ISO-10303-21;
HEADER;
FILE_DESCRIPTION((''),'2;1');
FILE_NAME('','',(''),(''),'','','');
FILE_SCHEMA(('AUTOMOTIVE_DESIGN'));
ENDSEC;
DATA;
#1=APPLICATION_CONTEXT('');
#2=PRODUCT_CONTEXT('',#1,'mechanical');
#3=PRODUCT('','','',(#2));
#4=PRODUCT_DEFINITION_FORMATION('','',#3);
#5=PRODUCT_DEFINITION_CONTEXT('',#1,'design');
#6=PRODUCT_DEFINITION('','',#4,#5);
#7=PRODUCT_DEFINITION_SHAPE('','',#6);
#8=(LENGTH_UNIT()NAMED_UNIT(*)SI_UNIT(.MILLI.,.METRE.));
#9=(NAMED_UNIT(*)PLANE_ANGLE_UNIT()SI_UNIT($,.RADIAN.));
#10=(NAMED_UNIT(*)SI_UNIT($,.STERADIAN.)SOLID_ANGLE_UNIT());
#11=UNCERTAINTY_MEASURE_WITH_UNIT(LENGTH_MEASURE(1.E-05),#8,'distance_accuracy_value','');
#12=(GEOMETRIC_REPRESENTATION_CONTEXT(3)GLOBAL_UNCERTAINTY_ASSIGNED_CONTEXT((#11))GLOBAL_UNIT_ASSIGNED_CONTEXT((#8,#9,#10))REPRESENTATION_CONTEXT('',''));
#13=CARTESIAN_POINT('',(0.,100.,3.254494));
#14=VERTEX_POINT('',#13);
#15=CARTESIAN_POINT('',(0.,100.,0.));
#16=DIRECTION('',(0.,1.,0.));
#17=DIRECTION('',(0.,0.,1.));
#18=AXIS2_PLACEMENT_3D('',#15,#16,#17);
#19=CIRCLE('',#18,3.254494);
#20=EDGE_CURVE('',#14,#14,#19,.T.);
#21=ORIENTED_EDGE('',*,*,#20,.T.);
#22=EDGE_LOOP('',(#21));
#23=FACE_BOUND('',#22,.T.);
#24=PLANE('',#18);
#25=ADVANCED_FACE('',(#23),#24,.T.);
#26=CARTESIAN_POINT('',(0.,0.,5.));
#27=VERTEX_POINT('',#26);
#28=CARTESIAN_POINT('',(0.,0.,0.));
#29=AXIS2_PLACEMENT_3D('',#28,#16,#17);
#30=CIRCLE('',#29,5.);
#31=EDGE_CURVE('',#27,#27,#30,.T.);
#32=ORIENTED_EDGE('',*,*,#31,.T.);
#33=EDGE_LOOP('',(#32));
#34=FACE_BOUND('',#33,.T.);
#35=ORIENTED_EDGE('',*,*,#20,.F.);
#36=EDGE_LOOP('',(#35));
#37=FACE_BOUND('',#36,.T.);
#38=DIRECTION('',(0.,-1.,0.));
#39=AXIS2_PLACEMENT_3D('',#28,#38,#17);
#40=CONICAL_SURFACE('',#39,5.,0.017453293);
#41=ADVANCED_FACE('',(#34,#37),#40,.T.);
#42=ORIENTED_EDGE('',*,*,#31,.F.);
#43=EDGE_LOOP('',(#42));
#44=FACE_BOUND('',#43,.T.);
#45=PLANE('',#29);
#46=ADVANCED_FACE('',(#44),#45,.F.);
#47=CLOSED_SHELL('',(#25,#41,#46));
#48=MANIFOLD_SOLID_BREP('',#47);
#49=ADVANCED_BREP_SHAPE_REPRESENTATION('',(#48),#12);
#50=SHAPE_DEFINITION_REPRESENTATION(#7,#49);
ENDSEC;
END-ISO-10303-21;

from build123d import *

# Parameters (mm, degrees)
SKETCH1_R           = 5
BOSS_EXTRUDE1_DEPTH = 100
BOSS_EXTRUDE1_TAPER = 1


with BuildPart() as part:
    # Sketch1 → Boss-Extrude1 (new body)
    with BuildSketch(Plane(origin=(0, 0, 0), x_dir=(1, 0, 0), z_dir=(0, 1, 0))):
        Circle(SKETCH1_R)
    extrude(amount=BOSS_EXTRUDE1_DEPTH, taper=BOSS_EXTRUDE1_TAPER)


solid = part.part
